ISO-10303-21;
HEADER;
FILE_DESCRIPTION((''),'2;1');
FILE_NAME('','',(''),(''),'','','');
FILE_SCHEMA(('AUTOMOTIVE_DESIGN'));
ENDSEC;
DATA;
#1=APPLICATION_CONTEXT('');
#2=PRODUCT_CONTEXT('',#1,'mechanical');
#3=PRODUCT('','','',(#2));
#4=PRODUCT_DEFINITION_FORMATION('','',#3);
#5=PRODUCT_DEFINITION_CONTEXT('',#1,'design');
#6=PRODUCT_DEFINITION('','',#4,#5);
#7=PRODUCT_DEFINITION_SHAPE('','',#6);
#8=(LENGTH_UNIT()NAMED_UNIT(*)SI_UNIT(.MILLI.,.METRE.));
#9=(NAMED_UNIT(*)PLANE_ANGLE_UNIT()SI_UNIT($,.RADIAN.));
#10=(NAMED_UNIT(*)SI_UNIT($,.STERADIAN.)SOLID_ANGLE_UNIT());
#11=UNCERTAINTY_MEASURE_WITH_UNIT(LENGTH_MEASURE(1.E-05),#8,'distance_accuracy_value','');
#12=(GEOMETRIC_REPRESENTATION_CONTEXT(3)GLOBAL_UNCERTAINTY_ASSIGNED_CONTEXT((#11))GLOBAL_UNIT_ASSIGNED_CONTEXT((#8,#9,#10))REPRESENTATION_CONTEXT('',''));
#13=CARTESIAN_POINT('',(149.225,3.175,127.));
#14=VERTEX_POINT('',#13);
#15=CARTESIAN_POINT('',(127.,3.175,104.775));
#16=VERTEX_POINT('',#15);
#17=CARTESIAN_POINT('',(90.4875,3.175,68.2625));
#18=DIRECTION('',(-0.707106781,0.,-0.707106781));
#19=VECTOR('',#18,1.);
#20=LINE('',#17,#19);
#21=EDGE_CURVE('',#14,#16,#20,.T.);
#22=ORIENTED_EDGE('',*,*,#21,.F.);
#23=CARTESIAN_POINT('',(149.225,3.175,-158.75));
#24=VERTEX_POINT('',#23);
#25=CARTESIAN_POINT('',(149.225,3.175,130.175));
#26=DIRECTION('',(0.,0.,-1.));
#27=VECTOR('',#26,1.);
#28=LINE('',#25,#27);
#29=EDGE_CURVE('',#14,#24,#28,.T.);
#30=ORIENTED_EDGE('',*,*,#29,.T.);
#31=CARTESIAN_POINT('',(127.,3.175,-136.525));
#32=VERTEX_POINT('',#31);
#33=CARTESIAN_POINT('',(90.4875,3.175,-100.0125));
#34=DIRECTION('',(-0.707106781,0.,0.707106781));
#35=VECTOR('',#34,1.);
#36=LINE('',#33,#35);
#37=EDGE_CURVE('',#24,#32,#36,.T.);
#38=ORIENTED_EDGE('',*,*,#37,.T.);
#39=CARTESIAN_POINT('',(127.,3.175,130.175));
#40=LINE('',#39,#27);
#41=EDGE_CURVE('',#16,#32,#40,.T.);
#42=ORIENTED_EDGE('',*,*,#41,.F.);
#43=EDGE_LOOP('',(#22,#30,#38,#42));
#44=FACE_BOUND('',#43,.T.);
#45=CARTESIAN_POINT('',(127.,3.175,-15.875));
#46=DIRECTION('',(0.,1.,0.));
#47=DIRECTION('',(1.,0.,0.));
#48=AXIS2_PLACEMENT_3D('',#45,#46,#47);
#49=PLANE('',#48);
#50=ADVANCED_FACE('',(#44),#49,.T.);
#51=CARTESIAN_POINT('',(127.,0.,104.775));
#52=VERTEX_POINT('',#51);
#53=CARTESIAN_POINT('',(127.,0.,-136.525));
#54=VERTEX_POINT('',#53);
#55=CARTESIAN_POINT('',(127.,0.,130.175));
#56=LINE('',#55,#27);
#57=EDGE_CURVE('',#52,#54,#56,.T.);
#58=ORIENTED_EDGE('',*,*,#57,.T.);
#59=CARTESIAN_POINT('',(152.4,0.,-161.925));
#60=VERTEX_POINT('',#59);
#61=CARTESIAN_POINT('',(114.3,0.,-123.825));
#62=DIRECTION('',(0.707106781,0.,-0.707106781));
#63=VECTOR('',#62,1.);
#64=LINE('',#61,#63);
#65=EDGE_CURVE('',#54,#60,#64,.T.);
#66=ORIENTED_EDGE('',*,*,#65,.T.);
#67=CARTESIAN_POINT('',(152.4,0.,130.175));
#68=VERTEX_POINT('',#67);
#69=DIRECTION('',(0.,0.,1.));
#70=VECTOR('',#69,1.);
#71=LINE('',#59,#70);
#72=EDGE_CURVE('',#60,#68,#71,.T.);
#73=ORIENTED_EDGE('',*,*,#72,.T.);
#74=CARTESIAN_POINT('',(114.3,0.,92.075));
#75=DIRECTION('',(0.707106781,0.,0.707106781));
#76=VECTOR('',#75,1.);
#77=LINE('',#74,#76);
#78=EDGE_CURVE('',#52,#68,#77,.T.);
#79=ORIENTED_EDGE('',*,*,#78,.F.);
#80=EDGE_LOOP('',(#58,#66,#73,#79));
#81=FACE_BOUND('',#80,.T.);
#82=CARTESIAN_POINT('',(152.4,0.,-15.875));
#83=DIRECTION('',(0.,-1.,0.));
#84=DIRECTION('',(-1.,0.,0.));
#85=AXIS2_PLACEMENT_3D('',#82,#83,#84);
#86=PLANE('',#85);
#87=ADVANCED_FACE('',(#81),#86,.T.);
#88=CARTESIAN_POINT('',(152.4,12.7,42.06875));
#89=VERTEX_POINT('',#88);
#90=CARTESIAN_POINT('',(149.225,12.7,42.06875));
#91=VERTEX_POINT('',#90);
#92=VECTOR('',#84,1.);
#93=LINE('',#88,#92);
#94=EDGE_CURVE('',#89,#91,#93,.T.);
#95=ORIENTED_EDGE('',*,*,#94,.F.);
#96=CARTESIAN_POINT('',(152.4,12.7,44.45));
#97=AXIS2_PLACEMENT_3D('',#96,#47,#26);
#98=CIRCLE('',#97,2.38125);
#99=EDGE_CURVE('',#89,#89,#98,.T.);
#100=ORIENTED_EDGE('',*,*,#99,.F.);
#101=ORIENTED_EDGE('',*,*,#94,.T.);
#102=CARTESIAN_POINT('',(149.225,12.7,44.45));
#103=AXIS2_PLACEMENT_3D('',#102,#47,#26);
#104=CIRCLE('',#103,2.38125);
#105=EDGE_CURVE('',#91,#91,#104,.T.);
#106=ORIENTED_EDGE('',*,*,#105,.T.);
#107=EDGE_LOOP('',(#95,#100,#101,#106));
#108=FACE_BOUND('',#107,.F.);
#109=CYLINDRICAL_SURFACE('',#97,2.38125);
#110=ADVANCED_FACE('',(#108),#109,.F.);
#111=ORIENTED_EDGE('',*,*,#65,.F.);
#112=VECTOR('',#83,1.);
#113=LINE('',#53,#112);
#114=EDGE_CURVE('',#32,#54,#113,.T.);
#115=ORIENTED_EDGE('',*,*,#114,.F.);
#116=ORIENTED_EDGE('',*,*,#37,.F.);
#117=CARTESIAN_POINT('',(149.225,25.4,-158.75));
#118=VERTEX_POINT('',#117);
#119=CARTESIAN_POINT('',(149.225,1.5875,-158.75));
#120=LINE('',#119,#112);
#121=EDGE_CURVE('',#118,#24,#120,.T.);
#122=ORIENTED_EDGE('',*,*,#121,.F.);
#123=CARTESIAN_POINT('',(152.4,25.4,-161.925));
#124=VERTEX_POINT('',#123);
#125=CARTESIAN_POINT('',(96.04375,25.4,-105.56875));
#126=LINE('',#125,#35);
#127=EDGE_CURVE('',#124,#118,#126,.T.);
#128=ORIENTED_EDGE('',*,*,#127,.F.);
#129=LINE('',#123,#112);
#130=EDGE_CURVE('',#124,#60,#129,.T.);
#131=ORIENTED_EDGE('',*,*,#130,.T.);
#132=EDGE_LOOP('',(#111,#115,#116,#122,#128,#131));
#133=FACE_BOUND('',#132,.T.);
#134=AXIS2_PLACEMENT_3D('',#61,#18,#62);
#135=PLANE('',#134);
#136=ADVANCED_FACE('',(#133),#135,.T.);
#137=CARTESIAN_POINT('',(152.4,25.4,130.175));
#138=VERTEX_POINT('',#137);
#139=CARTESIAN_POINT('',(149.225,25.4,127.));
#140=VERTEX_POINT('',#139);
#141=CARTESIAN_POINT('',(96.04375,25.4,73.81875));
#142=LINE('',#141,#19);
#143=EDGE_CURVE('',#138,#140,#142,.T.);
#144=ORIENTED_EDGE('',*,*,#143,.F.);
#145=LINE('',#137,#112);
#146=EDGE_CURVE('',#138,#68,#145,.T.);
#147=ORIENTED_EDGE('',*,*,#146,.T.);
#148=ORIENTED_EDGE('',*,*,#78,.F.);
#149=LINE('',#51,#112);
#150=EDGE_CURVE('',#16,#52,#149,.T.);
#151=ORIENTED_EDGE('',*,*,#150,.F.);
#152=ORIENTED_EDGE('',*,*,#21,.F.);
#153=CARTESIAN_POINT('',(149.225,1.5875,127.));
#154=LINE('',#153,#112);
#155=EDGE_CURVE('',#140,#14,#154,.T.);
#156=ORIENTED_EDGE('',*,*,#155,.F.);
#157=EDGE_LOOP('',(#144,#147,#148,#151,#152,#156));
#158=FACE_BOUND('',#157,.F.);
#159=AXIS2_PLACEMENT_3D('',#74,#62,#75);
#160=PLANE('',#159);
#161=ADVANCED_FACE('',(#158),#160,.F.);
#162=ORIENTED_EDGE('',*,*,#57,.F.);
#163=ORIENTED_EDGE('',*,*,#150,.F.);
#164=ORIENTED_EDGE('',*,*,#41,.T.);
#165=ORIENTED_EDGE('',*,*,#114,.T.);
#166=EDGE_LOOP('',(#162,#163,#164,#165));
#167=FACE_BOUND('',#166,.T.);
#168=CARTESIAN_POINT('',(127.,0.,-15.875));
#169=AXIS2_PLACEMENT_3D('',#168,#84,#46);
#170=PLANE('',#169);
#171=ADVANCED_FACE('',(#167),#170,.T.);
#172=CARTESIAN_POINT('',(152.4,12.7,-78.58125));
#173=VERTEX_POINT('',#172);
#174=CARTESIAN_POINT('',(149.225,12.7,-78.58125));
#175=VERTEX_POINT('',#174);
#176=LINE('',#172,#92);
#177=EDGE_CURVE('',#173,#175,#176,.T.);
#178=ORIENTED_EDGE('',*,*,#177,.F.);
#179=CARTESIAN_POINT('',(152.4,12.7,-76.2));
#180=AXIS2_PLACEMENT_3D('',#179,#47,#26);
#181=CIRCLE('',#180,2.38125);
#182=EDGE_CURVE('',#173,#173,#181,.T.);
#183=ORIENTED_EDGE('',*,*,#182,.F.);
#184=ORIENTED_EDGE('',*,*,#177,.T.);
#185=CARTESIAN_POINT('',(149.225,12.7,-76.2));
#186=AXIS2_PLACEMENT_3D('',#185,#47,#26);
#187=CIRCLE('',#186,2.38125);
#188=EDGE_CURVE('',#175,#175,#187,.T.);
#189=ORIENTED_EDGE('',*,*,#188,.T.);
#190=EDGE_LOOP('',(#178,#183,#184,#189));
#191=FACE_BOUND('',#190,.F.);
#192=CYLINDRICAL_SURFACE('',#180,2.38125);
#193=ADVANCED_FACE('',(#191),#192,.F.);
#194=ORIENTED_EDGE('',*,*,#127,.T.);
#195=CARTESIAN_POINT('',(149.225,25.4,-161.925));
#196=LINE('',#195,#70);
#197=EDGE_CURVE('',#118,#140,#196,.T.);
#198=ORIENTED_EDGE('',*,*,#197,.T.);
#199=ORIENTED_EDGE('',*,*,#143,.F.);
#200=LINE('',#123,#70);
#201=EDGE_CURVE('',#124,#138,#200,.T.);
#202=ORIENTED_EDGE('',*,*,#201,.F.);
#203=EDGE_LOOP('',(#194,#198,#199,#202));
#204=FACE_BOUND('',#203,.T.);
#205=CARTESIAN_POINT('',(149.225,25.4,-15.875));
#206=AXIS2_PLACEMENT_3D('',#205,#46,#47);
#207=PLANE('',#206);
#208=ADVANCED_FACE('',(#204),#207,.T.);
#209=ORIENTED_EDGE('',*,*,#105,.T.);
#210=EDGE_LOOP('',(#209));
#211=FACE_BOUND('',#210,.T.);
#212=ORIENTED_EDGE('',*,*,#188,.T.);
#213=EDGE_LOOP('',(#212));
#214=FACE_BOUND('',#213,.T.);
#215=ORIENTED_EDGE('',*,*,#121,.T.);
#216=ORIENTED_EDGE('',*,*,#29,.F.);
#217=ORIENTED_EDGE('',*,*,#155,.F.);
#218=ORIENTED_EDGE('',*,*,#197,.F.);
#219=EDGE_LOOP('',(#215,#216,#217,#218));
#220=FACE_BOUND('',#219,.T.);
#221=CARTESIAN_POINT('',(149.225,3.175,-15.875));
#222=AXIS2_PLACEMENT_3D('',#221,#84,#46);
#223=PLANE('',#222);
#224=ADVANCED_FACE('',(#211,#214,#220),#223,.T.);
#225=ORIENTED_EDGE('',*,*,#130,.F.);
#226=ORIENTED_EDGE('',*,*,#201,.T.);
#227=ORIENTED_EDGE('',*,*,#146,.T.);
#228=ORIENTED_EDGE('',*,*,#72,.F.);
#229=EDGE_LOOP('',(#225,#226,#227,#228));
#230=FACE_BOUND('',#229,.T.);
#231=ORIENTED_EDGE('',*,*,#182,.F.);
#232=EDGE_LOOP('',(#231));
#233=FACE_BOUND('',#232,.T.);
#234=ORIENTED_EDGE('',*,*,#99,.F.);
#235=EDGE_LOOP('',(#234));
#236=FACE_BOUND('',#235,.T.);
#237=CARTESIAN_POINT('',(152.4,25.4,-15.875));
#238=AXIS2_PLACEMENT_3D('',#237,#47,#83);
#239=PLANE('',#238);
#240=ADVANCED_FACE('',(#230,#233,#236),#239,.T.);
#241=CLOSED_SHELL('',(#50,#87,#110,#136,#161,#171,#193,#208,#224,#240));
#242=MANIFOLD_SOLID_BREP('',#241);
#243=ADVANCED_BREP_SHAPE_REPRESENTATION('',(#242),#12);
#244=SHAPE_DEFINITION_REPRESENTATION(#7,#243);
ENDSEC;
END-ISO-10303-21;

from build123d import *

# Parameters (mm, degrees)
PAD6965_DEPTH            = 146.05
POCKET670_DEPTH          = 25.401
SKETCH7925_R             = 2.38125
POCKET674_DEPTH          = 25.401
BODY6271_PLACEMENT_ANGLE = 90


with BuildPart() as part:
    # Sketch7919 → Pad6965 (new body, symmetric)
    with BuildSketch(Plane.YZ):
        Polygon((0, 0), (0, -25.4), (3.175, -25.4), (3.175, -3.175), (25.4, -3.175), (25.4, 0), align=None)
    extrude(amount=PAD6965_DEPTH, both=True)

    # Sketch7920 → Pocket670 (cut, through all)
    with BuildSketch(Plane.XZ):
        Polygon((-107.95, -38.1), (-146.05, 0), (-146.05, -38.1), align=None)
        Polygon((107.95, -38.1), (146.05, 0), (146.05, -38.1), align=None)
    extrude(amount=-POCKET670_DEPTH, mode=Mode.SUBTRACT)

    # Sketch7925 → Pocket674 (cut, through all)
    with BuildSketch(Plane.XY):
        with Locations((-60.325, 12.7)):
            Circle(SKETCH7925_R)
        with Locations((60.325, 12.7)):
            Circle(SKETCH7925_R)
    extrude(amount=-POCKET674_DEPTH, mode=Mode.SUBTRACT)


with BuildPart() as part_1:
    # Body6271 placement: moved
    add(part.part.moved(Location((152.4, 0, -15.875))).rotate(Axis((152.4, 0, -15.875), (0, 1, 0)), BODY6271_PLACEMENT_ANGLE))


solid = part_1.part
